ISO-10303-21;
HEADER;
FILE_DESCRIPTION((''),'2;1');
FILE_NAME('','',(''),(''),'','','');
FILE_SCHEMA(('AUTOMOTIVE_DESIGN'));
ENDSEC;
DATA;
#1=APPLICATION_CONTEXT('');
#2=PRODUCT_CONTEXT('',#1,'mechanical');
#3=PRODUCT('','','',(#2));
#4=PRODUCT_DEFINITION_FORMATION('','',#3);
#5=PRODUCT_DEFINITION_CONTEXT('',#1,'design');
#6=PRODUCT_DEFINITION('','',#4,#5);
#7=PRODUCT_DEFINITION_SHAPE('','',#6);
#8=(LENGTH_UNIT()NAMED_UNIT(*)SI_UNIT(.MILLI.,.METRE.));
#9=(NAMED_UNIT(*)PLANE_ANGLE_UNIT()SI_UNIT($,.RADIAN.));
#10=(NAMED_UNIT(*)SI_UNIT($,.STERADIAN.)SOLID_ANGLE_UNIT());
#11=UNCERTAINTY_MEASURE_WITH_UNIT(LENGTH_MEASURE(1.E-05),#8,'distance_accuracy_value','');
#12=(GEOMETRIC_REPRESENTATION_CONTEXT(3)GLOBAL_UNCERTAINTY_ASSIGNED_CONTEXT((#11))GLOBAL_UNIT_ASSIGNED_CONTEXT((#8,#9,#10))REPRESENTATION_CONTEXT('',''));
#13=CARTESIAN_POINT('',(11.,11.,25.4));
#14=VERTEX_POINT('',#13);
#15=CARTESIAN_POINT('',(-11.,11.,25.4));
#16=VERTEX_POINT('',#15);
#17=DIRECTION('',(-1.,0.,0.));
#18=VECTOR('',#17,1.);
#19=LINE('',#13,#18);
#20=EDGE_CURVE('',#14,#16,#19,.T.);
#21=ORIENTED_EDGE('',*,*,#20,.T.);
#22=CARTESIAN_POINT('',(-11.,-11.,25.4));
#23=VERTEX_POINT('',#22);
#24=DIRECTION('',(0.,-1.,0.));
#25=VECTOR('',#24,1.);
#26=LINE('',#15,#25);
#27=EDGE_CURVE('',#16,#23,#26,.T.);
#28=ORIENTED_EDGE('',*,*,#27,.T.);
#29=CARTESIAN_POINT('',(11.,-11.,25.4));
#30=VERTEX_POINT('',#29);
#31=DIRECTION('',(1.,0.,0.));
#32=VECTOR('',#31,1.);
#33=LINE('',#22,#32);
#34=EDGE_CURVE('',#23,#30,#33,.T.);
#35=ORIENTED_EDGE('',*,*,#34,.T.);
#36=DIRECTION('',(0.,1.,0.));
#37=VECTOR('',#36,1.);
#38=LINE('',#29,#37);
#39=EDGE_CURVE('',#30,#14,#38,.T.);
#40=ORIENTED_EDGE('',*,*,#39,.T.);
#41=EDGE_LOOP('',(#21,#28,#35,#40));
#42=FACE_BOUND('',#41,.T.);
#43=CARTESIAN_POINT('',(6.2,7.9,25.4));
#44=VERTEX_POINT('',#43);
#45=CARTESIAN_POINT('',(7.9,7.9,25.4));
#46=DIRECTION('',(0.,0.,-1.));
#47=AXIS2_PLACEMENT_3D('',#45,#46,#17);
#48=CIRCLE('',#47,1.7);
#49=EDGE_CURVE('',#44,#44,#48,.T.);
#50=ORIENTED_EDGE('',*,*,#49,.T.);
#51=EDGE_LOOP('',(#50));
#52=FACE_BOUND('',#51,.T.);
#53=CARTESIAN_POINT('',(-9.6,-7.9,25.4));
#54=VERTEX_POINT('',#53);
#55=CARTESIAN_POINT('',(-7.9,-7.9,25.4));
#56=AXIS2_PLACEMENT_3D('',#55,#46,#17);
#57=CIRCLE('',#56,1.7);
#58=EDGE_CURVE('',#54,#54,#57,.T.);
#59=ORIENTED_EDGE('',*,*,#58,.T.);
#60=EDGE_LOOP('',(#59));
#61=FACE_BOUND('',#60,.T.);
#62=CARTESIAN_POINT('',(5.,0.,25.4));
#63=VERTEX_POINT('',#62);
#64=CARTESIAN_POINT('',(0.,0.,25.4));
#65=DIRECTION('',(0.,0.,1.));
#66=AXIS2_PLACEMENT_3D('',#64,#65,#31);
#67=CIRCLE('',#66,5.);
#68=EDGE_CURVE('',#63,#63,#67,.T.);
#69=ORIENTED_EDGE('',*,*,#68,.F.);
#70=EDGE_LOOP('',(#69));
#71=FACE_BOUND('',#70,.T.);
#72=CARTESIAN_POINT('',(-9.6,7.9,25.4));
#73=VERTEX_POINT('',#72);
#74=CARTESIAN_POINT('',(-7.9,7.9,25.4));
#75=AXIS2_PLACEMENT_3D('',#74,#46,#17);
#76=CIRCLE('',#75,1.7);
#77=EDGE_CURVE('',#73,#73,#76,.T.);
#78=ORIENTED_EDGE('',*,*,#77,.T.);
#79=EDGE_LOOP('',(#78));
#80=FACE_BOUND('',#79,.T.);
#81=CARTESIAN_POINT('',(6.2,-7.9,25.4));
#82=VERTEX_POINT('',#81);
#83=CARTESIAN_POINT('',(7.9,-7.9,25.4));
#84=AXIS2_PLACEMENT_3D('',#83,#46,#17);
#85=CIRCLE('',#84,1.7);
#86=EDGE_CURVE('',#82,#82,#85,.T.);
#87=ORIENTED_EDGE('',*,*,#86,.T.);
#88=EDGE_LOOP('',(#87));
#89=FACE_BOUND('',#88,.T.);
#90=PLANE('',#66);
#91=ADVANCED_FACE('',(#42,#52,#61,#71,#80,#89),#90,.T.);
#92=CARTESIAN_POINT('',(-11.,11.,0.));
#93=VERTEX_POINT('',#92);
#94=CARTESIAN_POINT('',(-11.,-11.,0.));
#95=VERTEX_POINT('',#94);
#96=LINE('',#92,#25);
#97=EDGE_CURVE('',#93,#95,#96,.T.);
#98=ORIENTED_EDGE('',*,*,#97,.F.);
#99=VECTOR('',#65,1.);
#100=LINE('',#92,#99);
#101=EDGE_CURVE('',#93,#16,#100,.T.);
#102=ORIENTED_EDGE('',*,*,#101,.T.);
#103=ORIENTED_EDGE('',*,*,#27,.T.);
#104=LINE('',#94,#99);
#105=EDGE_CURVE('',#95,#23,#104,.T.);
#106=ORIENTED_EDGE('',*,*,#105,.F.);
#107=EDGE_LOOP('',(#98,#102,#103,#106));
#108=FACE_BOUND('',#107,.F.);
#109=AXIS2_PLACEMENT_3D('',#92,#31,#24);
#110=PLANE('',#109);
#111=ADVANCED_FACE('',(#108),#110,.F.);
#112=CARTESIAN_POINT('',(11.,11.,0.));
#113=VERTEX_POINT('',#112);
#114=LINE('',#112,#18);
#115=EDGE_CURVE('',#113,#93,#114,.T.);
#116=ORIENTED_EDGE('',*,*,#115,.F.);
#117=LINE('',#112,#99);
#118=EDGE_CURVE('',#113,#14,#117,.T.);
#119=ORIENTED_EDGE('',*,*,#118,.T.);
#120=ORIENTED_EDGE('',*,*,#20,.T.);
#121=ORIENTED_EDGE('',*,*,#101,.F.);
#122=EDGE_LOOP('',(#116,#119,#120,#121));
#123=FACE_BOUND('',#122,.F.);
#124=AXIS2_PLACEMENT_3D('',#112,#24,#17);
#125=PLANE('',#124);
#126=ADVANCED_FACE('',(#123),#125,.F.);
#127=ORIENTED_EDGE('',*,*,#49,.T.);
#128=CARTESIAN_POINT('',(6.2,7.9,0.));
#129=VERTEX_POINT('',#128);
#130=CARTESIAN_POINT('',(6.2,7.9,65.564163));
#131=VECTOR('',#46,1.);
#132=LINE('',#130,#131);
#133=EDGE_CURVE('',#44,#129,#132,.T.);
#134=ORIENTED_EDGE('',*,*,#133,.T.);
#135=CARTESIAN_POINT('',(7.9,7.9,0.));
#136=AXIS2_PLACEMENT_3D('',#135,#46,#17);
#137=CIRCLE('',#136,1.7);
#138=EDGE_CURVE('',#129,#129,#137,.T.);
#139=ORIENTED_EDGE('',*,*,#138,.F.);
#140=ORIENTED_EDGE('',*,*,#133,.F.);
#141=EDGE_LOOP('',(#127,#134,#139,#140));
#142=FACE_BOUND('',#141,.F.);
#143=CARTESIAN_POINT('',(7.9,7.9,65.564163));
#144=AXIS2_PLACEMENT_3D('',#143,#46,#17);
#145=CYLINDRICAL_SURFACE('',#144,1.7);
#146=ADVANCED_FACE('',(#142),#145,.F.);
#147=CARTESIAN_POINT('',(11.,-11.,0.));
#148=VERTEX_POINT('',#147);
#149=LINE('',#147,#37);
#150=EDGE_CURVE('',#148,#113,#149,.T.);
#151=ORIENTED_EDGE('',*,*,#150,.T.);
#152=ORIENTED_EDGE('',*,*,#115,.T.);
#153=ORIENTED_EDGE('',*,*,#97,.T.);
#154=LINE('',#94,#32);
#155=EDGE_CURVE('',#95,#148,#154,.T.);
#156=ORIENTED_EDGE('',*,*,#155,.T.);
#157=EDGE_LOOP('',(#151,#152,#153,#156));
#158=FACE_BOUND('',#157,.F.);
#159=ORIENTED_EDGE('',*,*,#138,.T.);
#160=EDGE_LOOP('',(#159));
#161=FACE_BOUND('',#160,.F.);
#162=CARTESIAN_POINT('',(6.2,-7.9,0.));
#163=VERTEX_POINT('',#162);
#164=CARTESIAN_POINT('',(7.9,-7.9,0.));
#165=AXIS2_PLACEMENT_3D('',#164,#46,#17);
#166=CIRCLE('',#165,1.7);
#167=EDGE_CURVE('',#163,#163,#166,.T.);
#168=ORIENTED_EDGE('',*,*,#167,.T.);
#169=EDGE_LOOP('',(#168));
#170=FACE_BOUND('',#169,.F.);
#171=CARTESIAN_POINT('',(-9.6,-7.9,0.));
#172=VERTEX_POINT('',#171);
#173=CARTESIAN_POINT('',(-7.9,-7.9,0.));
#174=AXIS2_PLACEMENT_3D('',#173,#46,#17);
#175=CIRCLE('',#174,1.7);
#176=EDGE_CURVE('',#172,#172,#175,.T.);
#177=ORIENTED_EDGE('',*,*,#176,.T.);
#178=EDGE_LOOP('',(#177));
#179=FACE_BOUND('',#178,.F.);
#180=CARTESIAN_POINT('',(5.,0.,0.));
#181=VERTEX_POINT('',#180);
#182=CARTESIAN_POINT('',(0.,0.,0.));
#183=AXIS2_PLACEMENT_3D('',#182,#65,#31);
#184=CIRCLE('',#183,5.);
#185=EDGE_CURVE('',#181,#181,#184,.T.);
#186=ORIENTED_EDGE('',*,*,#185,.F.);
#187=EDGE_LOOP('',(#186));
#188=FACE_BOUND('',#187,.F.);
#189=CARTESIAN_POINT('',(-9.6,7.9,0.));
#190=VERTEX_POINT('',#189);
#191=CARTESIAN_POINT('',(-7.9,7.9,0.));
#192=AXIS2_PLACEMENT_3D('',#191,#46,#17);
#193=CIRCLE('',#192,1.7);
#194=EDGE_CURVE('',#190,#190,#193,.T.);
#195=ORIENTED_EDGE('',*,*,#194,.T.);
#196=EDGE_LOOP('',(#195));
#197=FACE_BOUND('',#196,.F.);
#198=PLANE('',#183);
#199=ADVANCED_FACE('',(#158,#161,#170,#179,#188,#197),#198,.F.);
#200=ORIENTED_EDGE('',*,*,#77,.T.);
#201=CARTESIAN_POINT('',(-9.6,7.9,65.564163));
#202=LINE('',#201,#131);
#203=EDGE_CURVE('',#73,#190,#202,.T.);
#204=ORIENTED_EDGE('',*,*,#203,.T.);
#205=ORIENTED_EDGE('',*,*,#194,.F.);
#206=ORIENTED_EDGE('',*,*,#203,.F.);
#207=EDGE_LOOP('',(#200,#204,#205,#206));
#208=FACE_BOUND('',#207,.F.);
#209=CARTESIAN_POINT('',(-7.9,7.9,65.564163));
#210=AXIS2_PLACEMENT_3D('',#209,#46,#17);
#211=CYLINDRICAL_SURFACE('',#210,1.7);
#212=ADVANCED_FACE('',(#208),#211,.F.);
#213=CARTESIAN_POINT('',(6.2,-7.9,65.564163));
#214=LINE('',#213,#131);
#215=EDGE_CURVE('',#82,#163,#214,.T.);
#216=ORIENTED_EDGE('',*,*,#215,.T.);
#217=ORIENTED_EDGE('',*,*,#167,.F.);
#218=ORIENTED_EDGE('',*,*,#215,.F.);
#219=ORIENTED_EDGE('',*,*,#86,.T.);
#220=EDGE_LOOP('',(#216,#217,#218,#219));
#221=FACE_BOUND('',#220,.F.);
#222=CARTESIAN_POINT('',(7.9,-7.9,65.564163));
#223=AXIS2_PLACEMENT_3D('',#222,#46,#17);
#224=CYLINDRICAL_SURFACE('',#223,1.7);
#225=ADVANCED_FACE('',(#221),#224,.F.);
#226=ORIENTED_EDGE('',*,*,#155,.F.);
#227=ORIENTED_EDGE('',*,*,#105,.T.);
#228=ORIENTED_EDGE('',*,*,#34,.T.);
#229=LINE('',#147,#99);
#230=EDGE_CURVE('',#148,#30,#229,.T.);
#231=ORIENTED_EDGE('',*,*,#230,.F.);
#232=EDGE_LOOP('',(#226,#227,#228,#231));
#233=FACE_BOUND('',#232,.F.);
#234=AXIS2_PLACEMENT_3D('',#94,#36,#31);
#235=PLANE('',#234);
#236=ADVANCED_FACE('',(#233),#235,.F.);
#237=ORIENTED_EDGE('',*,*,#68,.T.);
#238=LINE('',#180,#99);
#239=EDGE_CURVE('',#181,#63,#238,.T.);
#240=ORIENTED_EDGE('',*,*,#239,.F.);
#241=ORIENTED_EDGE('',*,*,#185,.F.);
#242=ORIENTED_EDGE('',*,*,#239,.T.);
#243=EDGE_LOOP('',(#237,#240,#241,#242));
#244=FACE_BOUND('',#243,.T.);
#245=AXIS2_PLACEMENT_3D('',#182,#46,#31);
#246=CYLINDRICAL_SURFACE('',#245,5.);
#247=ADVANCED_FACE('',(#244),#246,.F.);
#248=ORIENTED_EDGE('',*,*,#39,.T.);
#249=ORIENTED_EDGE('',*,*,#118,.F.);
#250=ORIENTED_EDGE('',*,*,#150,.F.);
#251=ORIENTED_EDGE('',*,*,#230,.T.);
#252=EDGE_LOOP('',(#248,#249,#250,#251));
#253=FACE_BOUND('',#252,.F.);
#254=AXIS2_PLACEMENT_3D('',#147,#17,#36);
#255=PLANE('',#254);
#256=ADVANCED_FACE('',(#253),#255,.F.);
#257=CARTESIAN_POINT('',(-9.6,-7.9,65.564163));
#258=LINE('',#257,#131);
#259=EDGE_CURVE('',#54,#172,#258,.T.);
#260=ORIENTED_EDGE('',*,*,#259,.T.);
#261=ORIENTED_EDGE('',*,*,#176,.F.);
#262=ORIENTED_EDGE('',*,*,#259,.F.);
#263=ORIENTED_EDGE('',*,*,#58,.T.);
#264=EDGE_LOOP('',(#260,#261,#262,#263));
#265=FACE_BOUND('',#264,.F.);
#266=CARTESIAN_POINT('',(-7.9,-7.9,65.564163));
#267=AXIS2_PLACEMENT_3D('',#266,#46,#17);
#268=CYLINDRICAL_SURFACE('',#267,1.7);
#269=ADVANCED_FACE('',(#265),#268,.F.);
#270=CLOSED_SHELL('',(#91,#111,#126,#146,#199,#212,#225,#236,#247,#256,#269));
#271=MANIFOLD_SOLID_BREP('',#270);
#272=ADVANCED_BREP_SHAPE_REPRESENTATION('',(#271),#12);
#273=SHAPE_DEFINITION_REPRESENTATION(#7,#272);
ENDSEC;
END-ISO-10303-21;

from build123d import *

# Parameters (mm, degrees)
F0_R     = 5
F1_DEPTH = 25.4
F3_D     = 3.4


with BuildPart() as f1:
    # F0 (on Top) → F1 (new body)
    with BuildSketch(Plane.XY):
        Polygon((7.9, -11), (11, -11), (11, -7.9), (11, 7.9), (11, 11), (7.9, 11), (-7.9, 11), (-11, 11), (-11, 7.9), (-11, -7.9), (-11, -11), (-7.9, -11), align=None)
        Circle(F0_R, mode=Mode.SUBTRACT)
    extrude(amount=F1_DEPTH)

    # F3 (through all)
    with Locations(Plane.XY.offset(25.4)):
        with Locations((-7.9, 7.9), (-7.9, -7.9), (7.9, 7.9), (7.9, -7.9)):
            Hole(F3_D / 2)


solid = f1.part
